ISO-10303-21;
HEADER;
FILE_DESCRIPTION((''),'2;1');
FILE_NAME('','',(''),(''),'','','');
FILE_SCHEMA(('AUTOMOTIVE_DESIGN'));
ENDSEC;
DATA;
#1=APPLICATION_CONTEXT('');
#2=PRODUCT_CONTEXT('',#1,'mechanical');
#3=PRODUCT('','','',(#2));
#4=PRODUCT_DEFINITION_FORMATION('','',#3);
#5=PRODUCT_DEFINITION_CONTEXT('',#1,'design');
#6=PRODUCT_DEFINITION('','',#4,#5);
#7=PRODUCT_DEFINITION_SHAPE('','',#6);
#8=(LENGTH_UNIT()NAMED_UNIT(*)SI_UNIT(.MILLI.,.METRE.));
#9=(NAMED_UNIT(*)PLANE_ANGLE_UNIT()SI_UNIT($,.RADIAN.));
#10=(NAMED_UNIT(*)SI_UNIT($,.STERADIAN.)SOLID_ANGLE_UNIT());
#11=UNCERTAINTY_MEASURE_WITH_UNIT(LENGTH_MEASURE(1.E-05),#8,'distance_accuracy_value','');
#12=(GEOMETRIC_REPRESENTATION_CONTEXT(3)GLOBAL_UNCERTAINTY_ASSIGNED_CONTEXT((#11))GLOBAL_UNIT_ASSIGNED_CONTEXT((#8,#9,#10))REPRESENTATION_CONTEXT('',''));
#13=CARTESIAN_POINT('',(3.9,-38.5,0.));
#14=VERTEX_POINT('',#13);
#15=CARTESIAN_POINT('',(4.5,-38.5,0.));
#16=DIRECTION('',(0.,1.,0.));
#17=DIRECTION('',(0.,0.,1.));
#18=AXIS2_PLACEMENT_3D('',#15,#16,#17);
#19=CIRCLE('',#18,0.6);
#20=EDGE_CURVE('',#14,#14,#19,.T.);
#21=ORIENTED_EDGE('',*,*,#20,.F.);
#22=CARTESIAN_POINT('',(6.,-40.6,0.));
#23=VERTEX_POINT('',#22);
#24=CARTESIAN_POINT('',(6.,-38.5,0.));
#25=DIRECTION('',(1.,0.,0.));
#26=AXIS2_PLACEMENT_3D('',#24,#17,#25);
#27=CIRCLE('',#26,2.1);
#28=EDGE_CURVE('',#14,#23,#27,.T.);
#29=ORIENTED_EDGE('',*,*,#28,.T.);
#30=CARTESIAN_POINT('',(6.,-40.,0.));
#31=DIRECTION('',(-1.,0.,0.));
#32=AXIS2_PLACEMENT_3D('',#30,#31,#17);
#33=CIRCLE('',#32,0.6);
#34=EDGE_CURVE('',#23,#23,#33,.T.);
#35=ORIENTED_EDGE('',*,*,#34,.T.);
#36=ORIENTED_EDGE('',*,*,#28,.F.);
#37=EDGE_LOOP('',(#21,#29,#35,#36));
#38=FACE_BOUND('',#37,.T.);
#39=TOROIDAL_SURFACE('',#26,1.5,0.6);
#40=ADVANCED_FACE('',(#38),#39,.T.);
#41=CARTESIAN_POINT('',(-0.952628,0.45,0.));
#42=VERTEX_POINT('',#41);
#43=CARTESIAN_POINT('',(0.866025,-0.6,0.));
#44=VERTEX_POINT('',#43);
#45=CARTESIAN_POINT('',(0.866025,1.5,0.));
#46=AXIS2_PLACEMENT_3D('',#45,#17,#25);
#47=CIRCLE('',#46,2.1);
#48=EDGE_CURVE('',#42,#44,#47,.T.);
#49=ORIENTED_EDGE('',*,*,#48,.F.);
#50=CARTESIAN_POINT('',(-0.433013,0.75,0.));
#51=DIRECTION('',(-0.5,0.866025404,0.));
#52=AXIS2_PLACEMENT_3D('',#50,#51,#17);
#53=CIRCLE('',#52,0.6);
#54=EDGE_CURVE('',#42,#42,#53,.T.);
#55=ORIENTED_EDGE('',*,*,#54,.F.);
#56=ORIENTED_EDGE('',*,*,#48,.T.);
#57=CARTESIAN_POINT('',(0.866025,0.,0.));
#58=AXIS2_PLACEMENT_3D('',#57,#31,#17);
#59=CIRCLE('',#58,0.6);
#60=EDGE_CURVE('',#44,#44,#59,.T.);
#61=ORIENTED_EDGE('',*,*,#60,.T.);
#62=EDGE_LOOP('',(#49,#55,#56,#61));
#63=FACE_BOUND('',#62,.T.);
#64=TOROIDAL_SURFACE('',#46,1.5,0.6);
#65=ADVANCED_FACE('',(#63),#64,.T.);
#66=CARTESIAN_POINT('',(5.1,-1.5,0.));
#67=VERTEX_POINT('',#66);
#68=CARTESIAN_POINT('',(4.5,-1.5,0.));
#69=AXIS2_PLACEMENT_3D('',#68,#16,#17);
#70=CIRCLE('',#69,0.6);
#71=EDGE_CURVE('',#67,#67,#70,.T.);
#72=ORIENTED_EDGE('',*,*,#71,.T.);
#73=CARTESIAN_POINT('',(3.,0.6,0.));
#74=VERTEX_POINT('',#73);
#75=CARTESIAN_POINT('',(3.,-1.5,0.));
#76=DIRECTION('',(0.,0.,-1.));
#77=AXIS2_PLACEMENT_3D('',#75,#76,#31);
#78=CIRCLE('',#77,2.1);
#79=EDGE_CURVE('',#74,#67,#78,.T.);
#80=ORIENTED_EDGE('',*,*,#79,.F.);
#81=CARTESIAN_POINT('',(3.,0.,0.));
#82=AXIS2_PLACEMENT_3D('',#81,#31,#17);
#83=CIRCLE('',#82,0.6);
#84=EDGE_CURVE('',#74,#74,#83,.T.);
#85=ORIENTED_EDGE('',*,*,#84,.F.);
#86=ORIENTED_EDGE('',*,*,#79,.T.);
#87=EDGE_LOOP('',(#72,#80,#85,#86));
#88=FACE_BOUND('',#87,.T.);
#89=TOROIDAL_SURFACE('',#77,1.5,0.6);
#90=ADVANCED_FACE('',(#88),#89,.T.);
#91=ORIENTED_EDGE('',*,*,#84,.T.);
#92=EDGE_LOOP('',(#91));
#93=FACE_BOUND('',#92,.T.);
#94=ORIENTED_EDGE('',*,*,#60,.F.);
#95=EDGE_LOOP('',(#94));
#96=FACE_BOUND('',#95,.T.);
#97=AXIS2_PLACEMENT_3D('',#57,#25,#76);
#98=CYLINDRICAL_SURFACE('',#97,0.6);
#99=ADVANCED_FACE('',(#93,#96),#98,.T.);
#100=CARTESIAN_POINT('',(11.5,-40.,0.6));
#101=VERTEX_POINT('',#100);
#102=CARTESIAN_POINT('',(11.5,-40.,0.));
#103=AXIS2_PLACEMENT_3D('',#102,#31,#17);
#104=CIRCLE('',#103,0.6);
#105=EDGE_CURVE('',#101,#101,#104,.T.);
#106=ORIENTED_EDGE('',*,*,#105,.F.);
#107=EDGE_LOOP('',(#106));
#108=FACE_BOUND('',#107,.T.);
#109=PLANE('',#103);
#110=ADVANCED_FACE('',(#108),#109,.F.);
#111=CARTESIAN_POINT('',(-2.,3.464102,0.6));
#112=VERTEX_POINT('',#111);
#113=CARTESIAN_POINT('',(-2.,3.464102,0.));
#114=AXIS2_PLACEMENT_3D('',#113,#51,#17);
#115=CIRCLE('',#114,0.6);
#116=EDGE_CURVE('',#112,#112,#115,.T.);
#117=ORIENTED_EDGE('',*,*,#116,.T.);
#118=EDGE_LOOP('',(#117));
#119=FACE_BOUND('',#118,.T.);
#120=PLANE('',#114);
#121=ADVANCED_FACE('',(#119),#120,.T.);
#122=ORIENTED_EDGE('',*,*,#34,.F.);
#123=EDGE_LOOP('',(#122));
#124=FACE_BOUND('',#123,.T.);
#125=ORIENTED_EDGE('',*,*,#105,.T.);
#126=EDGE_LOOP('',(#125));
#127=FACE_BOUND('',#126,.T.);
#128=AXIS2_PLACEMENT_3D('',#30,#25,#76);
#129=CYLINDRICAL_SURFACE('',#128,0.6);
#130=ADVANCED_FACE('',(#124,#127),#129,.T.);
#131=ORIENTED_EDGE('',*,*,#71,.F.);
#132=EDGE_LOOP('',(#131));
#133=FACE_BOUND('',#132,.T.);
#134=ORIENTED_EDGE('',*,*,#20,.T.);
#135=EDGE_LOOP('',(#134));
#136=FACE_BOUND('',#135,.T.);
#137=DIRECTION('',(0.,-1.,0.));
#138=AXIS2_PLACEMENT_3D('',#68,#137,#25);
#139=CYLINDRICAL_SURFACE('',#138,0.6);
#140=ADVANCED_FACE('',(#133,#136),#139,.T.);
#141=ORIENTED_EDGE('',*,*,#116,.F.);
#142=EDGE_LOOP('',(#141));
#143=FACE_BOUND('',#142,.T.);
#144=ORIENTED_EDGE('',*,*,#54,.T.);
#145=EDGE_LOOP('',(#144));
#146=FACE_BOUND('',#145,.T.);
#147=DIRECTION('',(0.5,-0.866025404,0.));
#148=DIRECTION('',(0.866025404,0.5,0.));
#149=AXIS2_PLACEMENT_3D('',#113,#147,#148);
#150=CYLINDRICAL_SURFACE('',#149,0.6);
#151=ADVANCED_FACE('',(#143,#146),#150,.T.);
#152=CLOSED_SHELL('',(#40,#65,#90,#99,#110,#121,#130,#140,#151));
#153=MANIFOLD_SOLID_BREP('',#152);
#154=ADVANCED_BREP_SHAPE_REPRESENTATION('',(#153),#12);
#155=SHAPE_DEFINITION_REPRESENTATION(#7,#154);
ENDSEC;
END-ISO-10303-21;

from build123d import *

# Parameters (mm, degrees)
SWEEP_1_PROFILE_R = 0.6


with BuildPart() as part:
    # 扫描1: sweep along a path in 草图1
    with BuildLine(Plane.XY) as sweep_1_path:
        Line((-2, 3.464101615), (-0.433012702, 0.75))
        ThreePointArc((-0.433012702, 0.75), (0.116025404, 0.200961894), (0.866025404, 0))
        Line((0.866025404, 0), (3, 0))
        ThreePointArc((3, 0), (4.060660172, -0.439339828), (4.5, -1.5))
        Line((4.5, -1.5), (4.5, -38.5))
        ThreePointArc((4.5, -38.5), (4.939339828, -39.560660172), (6, -40))
        Line((6, -40), (11.5, -40))
    # 扫描1 profile (on start of the path) → 扫描1 (sweep)
    with BuildSketch(Plane(origin=(-2, 3.464101615, 0), x_dir=(-0.8660254037844379, -0.5000000000000013, 0), z_dir=(0.5000000000000013, -0.8660254037844379, 0))):
        Circle(SWEEP_1_PROFILE_R)
    sweep(path=sweep_1_path.line)


solid = part.part
